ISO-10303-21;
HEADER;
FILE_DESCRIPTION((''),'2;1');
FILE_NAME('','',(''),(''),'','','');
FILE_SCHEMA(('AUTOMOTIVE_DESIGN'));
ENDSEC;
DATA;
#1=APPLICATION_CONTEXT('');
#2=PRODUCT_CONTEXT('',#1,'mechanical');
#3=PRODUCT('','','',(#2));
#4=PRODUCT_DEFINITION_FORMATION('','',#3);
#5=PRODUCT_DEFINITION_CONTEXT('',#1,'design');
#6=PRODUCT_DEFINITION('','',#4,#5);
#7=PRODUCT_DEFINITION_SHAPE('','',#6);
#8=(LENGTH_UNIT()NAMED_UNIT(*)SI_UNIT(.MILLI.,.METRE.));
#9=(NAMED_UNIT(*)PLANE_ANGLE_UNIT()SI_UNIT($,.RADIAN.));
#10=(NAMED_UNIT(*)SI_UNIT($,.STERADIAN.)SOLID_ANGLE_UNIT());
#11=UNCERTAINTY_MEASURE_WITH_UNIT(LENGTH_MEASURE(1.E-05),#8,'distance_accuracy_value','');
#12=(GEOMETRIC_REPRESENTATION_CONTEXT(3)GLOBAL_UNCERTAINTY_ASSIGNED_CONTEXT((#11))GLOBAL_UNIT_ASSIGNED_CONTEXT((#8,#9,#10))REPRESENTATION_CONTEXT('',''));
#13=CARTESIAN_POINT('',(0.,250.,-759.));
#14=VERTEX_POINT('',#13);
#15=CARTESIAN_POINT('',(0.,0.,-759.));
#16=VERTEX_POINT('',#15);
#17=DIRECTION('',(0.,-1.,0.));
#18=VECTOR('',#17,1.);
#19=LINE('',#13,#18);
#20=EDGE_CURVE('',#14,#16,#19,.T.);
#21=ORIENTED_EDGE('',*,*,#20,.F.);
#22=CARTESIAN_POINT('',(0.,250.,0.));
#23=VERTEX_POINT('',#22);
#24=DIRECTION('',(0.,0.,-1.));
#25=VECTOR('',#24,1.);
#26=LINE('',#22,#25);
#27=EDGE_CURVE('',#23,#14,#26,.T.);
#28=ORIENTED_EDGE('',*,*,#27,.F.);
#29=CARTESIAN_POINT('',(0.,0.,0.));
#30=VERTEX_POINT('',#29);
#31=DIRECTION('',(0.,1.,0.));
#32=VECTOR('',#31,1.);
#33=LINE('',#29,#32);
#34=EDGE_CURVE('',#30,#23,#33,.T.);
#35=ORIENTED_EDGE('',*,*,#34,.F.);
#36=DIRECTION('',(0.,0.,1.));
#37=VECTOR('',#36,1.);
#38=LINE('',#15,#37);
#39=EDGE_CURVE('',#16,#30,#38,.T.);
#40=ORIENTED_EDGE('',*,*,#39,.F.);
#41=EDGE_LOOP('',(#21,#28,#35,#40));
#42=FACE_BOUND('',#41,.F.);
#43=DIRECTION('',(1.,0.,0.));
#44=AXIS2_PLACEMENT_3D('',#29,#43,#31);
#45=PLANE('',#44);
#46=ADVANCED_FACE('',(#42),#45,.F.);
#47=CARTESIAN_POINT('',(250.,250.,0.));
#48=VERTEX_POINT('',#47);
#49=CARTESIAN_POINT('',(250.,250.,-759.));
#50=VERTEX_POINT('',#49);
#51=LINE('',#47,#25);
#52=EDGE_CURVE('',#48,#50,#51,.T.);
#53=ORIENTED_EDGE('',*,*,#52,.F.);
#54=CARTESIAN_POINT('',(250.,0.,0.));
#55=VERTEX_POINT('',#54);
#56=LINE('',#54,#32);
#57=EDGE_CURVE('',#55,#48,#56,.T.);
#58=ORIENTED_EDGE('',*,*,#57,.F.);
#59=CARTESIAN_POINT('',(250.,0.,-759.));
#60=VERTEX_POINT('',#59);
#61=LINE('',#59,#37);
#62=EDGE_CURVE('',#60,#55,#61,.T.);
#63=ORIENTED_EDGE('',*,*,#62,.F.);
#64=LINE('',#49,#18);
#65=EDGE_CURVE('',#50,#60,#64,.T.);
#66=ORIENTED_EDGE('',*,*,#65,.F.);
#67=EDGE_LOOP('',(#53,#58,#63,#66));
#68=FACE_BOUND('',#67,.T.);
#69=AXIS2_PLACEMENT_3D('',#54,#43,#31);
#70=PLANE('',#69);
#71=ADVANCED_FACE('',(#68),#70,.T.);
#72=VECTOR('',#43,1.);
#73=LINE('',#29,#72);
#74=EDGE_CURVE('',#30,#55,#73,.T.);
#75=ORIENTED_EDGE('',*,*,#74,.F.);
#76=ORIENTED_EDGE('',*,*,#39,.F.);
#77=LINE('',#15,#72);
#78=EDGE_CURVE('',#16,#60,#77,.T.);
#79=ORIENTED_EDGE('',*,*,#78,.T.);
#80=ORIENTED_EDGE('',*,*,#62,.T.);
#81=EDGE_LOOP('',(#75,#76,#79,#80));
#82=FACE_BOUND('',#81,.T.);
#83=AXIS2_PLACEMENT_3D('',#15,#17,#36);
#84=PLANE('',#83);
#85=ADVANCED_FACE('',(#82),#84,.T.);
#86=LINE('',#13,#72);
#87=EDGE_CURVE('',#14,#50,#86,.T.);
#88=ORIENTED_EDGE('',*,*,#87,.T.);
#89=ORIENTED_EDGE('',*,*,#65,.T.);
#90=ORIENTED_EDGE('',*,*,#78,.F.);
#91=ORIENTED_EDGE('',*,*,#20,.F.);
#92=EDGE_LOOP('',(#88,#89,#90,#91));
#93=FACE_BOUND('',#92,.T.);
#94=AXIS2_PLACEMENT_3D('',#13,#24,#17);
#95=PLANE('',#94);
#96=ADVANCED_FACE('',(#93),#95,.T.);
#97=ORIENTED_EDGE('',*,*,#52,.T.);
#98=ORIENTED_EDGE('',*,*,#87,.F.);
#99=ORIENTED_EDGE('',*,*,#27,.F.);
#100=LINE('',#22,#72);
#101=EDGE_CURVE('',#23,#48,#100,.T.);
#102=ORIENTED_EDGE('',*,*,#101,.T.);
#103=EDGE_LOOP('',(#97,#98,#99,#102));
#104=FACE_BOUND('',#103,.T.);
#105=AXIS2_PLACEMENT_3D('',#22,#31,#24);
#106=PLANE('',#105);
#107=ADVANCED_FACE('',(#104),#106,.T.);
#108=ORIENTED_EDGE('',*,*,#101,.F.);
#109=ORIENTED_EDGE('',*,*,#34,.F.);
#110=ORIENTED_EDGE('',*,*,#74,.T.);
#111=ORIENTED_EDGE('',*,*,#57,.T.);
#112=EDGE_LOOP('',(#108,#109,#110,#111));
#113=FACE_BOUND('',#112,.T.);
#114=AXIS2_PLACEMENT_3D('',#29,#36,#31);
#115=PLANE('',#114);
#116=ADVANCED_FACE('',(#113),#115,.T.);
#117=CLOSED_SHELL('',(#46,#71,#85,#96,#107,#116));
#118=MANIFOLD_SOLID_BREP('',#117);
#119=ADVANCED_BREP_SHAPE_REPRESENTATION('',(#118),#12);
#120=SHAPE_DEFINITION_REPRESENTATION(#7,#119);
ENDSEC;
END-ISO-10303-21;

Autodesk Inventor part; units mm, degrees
ref_plane "YZ Plane" through (0, 0, 0) normal (1, 0, 0) x (0, 1, 0)
ref_plane "XZ Plane" through (0, 0, 0) normal (0, 1, 0) x (-1, 0, 0)
ref_plane "XY Plane" through (0, 0, 0) normal (0, 0, 1) x (1, 0, 0)
sketch "Sketch1" plane through (0, 0, 0) normal (1, 0, 0) x (0, 1, 0)
  line L0 (0, 0) -> (250, 0)
  line L1 (250, 0) -> (250, -759)
  line L2 (250, -759) -> (0, -759)
  line L3 (0, -759) -> (0, 0)
  dimension "d0" = 250
  dimension "d1" = 759
extrude "Extrusion1" add sketch "Sketch1" along normal blind 250
properties part number "1x3 beam"
